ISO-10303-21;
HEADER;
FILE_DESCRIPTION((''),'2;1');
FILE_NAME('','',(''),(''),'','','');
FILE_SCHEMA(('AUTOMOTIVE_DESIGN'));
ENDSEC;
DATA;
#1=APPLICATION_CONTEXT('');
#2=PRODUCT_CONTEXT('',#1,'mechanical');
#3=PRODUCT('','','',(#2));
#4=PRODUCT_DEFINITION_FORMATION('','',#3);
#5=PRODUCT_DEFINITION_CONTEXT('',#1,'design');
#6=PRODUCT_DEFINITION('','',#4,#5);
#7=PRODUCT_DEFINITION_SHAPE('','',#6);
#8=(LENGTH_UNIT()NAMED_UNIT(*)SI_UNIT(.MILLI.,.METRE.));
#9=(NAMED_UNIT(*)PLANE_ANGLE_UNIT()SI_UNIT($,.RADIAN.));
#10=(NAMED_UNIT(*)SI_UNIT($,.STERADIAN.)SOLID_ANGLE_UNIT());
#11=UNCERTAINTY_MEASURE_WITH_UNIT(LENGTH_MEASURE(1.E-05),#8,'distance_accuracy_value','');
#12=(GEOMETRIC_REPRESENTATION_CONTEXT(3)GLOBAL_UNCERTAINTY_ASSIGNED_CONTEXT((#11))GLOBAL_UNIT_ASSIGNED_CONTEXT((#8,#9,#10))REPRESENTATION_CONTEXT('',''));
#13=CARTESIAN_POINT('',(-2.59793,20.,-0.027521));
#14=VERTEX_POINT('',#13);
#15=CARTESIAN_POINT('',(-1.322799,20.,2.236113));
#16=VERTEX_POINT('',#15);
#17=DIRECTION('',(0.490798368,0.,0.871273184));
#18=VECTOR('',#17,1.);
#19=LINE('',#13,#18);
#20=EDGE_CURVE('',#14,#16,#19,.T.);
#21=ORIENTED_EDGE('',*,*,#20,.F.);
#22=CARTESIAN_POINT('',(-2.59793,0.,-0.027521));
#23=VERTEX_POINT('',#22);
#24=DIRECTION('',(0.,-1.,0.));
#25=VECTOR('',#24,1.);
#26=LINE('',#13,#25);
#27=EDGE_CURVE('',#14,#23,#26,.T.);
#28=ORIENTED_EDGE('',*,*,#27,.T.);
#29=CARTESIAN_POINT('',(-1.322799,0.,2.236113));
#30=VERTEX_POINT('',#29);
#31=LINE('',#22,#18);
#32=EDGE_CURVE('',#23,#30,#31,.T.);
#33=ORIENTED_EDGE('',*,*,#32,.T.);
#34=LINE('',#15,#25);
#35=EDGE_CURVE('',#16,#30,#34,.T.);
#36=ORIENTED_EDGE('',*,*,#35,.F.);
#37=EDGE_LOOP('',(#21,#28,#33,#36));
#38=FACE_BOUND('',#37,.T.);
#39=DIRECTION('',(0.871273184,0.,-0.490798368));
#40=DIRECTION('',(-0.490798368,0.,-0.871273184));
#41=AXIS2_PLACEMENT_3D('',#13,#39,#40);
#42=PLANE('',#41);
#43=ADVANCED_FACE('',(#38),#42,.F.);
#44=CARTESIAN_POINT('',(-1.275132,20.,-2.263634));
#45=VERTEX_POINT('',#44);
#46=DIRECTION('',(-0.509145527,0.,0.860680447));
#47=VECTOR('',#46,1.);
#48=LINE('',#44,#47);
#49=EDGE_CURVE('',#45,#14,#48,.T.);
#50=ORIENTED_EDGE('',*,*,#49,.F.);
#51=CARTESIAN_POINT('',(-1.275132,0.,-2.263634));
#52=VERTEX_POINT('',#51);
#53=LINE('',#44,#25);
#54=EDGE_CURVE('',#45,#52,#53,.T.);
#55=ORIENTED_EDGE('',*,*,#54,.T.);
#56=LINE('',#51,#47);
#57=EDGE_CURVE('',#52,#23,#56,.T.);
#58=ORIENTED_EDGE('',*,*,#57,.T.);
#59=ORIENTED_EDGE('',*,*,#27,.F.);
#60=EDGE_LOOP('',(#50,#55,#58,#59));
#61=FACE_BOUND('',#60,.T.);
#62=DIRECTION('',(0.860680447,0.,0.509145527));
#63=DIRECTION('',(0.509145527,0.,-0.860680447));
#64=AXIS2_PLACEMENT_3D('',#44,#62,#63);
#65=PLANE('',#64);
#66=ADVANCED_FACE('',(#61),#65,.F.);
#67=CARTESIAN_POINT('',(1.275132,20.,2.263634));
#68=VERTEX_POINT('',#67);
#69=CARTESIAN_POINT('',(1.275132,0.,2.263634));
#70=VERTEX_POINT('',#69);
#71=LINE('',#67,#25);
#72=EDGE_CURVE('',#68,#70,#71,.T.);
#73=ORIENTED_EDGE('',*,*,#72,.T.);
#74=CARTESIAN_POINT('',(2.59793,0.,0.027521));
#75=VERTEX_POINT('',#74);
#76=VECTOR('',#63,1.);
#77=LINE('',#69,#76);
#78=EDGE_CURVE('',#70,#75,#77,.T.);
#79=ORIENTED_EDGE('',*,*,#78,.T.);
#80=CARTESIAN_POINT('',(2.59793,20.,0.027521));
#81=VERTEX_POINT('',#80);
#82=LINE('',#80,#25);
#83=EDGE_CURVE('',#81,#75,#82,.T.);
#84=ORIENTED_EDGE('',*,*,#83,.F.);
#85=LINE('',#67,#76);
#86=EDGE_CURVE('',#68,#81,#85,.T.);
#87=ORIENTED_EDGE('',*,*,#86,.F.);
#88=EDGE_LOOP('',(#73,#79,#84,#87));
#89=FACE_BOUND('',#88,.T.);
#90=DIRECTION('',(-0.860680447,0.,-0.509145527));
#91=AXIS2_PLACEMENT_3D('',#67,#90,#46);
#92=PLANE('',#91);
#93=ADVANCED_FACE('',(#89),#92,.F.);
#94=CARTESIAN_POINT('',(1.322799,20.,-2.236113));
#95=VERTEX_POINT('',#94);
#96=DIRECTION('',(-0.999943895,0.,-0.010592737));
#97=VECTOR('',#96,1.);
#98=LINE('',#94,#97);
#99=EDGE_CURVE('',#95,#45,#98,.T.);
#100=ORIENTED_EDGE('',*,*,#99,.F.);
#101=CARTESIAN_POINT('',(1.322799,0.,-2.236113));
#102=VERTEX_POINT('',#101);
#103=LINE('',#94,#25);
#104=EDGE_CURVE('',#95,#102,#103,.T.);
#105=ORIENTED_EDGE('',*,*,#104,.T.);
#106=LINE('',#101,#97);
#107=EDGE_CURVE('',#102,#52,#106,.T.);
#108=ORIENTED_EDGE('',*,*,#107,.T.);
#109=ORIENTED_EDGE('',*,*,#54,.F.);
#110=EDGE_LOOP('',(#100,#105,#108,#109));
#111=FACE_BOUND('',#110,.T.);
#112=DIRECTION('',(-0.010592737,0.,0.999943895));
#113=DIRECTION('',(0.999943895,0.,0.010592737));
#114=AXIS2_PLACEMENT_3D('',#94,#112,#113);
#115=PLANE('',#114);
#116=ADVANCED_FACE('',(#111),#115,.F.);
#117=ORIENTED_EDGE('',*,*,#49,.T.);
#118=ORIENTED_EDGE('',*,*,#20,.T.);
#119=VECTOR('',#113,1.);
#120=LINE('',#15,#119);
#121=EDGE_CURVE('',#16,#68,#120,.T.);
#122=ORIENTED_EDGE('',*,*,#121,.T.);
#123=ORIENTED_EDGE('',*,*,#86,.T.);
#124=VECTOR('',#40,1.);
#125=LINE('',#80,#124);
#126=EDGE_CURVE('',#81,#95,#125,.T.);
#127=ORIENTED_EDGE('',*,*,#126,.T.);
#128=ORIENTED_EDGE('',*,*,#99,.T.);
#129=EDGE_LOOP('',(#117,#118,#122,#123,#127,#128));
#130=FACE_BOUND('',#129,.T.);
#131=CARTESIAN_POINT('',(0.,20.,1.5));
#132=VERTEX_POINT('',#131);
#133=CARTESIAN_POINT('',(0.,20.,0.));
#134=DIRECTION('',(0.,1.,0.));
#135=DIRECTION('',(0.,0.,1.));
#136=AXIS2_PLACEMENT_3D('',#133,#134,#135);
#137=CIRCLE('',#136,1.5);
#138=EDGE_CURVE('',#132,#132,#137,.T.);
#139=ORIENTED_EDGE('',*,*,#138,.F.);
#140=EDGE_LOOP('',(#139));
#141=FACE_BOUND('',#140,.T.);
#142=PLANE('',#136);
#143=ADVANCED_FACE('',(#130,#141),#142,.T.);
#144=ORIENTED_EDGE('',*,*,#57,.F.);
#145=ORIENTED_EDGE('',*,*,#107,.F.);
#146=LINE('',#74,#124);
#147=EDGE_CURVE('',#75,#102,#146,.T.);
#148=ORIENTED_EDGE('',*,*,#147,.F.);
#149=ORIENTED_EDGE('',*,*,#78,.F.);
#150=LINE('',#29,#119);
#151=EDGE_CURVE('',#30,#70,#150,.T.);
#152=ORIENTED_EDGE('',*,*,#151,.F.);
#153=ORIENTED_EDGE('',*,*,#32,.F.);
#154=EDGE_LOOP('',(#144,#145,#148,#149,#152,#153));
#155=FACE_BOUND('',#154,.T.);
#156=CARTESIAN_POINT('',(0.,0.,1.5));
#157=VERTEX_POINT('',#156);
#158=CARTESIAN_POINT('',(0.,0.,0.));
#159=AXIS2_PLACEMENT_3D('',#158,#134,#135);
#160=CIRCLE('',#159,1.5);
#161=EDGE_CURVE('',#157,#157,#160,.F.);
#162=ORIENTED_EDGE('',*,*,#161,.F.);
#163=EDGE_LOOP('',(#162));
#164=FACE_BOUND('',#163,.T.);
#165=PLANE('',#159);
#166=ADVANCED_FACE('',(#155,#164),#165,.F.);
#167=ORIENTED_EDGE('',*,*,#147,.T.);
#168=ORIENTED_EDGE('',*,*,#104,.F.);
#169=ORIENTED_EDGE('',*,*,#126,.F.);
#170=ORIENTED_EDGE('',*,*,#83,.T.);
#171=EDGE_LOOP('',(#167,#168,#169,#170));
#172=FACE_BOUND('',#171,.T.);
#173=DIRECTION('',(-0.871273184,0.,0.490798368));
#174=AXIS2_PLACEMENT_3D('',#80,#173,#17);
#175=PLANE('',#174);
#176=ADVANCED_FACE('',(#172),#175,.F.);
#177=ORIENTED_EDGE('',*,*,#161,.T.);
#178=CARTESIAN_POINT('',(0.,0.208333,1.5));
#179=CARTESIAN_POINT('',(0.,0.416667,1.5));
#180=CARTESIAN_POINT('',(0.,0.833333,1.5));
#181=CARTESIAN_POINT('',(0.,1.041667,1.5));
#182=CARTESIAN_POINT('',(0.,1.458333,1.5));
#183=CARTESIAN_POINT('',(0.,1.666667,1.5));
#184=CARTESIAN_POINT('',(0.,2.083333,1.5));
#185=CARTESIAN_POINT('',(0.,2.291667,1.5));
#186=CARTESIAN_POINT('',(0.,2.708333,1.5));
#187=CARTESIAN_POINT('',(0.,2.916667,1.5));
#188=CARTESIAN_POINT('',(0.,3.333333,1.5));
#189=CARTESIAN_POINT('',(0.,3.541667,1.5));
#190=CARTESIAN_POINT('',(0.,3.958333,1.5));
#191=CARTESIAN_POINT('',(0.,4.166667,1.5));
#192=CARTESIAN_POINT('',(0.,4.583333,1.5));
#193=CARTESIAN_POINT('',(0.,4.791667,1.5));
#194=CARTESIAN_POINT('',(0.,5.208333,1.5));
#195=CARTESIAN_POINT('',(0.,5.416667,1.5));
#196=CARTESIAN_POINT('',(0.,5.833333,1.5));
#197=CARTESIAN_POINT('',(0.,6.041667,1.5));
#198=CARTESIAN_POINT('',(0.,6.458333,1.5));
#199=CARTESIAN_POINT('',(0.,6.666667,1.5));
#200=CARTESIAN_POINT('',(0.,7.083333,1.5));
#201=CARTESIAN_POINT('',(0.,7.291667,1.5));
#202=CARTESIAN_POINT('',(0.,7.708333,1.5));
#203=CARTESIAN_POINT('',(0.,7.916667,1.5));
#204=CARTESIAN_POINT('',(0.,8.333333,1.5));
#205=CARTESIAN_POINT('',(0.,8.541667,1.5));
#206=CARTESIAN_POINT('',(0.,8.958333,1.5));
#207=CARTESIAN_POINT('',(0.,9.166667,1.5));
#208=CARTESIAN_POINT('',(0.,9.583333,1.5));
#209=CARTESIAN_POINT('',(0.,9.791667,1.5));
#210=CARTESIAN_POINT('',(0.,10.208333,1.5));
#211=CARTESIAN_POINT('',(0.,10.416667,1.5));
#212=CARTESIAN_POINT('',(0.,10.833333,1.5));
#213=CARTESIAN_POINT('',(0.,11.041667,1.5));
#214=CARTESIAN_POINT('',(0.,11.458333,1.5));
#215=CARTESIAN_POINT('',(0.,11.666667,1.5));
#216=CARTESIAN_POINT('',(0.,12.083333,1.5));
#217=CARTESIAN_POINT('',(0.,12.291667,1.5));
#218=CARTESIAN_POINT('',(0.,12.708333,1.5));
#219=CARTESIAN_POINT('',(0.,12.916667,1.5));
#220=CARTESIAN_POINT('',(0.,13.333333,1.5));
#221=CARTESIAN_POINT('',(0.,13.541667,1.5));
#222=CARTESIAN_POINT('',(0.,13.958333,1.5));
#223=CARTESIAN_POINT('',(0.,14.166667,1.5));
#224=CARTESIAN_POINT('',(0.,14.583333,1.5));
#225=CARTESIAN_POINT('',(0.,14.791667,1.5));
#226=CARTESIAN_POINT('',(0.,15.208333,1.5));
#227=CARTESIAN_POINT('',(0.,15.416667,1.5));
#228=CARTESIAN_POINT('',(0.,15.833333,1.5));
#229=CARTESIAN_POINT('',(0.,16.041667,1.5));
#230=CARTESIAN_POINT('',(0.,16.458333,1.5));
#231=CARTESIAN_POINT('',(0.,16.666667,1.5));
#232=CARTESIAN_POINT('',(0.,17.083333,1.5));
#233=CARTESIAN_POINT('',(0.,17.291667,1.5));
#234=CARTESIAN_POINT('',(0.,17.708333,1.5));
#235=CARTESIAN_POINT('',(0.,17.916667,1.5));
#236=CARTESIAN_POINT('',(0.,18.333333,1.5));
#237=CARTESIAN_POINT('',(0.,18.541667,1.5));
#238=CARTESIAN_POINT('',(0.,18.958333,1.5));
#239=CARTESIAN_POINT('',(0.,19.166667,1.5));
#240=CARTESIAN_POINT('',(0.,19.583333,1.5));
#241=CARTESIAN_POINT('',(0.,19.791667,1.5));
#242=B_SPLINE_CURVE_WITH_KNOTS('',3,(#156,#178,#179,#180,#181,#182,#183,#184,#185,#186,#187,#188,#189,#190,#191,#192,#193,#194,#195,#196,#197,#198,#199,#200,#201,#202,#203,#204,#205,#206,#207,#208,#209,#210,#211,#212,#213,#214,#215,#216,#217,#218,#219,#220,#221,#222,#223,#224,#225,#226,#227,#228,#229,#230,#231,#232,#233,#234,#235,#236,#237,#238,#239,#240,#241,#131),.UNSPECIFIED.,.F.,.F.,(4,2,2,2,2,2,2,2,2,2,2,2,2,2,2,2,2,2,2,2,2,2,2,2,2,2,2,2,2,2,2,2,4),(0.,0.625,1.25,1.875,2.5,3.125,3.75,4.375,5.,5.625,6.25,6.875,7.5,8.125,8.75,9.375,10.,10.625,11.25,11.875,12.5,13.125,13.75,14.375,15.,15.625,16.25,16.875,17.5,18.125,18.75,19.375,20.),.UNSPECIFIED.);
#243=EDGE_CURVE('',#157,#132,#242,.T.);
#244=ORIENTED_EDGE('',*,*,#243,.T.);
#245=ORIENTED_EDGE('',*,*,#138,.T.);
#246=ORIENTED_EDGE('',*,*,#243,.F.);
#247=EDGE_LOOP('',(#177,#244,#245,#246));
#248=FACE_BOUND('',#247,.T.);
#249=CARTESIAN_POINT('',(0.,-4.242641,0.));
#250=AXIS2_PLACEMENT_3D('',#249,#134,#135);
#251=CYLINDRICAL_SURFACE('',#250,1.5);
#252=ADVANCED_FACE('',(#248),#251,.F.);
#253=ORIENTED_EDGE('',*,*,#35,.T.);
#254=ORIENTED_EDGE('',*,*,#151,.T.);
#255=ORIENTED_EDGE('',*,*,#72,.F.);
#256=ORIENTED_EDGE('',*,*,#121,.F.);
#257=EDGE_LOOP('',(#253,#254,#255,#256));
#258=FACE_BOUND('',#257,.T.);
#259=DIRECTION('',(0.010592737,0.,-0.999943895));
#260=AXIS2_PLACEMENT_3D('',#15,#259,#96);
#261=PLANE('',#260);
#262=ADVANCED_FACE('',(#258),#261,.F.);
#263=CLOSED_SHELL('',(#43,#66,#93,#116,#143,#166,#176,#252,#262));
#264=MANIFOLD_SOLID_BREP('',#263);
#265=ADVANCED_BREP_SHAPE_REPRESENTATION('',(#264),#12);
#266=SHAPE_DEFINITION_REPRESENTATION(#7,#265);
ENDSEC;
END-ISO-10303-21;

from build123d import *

# Parameters (mm, degrees)
BOSS_EXTRUDE2_DEPTH = 20
SKETCH4_R           = 1.5
CUT_EXTRUDE2_DEPTH  = 20


with BuildPart() as part:
    # Sketch3 → Boss-Extrude2 (new body)
    with BuildSketch(Plane(origin=(0, 0, 0), x_dir=(1, 0, 0), z_dir=(0, 1, 0))):
        Polygon((1.275131566, -2.263634134), (2.597930447, -0.027520738), (1.322798882, 2.236113396), (-1.275131566, 2.263634134), (-2.597930447, 0.027520738), (-1.322798882, -2.236113396), align=None)
    extrude(amount=BOSS_EXTRUDE2_DEPTH)

    # Sketch4 → Cut-Extrude2 (cut)
    with BuildSketch(Plane(origin=(0, 20, 0), x_dir=(1, 0, 0), z_dir=(0, 1, 0))):
        with Locations(Location((0, 0, 0), (0, 0, 270))):
            Circle(SKETCH4_R)
    extrude(amount=-CUT_EXTRUDE2_DEPTH, mode=Mode.SUBTRACT)


solid = part.part
